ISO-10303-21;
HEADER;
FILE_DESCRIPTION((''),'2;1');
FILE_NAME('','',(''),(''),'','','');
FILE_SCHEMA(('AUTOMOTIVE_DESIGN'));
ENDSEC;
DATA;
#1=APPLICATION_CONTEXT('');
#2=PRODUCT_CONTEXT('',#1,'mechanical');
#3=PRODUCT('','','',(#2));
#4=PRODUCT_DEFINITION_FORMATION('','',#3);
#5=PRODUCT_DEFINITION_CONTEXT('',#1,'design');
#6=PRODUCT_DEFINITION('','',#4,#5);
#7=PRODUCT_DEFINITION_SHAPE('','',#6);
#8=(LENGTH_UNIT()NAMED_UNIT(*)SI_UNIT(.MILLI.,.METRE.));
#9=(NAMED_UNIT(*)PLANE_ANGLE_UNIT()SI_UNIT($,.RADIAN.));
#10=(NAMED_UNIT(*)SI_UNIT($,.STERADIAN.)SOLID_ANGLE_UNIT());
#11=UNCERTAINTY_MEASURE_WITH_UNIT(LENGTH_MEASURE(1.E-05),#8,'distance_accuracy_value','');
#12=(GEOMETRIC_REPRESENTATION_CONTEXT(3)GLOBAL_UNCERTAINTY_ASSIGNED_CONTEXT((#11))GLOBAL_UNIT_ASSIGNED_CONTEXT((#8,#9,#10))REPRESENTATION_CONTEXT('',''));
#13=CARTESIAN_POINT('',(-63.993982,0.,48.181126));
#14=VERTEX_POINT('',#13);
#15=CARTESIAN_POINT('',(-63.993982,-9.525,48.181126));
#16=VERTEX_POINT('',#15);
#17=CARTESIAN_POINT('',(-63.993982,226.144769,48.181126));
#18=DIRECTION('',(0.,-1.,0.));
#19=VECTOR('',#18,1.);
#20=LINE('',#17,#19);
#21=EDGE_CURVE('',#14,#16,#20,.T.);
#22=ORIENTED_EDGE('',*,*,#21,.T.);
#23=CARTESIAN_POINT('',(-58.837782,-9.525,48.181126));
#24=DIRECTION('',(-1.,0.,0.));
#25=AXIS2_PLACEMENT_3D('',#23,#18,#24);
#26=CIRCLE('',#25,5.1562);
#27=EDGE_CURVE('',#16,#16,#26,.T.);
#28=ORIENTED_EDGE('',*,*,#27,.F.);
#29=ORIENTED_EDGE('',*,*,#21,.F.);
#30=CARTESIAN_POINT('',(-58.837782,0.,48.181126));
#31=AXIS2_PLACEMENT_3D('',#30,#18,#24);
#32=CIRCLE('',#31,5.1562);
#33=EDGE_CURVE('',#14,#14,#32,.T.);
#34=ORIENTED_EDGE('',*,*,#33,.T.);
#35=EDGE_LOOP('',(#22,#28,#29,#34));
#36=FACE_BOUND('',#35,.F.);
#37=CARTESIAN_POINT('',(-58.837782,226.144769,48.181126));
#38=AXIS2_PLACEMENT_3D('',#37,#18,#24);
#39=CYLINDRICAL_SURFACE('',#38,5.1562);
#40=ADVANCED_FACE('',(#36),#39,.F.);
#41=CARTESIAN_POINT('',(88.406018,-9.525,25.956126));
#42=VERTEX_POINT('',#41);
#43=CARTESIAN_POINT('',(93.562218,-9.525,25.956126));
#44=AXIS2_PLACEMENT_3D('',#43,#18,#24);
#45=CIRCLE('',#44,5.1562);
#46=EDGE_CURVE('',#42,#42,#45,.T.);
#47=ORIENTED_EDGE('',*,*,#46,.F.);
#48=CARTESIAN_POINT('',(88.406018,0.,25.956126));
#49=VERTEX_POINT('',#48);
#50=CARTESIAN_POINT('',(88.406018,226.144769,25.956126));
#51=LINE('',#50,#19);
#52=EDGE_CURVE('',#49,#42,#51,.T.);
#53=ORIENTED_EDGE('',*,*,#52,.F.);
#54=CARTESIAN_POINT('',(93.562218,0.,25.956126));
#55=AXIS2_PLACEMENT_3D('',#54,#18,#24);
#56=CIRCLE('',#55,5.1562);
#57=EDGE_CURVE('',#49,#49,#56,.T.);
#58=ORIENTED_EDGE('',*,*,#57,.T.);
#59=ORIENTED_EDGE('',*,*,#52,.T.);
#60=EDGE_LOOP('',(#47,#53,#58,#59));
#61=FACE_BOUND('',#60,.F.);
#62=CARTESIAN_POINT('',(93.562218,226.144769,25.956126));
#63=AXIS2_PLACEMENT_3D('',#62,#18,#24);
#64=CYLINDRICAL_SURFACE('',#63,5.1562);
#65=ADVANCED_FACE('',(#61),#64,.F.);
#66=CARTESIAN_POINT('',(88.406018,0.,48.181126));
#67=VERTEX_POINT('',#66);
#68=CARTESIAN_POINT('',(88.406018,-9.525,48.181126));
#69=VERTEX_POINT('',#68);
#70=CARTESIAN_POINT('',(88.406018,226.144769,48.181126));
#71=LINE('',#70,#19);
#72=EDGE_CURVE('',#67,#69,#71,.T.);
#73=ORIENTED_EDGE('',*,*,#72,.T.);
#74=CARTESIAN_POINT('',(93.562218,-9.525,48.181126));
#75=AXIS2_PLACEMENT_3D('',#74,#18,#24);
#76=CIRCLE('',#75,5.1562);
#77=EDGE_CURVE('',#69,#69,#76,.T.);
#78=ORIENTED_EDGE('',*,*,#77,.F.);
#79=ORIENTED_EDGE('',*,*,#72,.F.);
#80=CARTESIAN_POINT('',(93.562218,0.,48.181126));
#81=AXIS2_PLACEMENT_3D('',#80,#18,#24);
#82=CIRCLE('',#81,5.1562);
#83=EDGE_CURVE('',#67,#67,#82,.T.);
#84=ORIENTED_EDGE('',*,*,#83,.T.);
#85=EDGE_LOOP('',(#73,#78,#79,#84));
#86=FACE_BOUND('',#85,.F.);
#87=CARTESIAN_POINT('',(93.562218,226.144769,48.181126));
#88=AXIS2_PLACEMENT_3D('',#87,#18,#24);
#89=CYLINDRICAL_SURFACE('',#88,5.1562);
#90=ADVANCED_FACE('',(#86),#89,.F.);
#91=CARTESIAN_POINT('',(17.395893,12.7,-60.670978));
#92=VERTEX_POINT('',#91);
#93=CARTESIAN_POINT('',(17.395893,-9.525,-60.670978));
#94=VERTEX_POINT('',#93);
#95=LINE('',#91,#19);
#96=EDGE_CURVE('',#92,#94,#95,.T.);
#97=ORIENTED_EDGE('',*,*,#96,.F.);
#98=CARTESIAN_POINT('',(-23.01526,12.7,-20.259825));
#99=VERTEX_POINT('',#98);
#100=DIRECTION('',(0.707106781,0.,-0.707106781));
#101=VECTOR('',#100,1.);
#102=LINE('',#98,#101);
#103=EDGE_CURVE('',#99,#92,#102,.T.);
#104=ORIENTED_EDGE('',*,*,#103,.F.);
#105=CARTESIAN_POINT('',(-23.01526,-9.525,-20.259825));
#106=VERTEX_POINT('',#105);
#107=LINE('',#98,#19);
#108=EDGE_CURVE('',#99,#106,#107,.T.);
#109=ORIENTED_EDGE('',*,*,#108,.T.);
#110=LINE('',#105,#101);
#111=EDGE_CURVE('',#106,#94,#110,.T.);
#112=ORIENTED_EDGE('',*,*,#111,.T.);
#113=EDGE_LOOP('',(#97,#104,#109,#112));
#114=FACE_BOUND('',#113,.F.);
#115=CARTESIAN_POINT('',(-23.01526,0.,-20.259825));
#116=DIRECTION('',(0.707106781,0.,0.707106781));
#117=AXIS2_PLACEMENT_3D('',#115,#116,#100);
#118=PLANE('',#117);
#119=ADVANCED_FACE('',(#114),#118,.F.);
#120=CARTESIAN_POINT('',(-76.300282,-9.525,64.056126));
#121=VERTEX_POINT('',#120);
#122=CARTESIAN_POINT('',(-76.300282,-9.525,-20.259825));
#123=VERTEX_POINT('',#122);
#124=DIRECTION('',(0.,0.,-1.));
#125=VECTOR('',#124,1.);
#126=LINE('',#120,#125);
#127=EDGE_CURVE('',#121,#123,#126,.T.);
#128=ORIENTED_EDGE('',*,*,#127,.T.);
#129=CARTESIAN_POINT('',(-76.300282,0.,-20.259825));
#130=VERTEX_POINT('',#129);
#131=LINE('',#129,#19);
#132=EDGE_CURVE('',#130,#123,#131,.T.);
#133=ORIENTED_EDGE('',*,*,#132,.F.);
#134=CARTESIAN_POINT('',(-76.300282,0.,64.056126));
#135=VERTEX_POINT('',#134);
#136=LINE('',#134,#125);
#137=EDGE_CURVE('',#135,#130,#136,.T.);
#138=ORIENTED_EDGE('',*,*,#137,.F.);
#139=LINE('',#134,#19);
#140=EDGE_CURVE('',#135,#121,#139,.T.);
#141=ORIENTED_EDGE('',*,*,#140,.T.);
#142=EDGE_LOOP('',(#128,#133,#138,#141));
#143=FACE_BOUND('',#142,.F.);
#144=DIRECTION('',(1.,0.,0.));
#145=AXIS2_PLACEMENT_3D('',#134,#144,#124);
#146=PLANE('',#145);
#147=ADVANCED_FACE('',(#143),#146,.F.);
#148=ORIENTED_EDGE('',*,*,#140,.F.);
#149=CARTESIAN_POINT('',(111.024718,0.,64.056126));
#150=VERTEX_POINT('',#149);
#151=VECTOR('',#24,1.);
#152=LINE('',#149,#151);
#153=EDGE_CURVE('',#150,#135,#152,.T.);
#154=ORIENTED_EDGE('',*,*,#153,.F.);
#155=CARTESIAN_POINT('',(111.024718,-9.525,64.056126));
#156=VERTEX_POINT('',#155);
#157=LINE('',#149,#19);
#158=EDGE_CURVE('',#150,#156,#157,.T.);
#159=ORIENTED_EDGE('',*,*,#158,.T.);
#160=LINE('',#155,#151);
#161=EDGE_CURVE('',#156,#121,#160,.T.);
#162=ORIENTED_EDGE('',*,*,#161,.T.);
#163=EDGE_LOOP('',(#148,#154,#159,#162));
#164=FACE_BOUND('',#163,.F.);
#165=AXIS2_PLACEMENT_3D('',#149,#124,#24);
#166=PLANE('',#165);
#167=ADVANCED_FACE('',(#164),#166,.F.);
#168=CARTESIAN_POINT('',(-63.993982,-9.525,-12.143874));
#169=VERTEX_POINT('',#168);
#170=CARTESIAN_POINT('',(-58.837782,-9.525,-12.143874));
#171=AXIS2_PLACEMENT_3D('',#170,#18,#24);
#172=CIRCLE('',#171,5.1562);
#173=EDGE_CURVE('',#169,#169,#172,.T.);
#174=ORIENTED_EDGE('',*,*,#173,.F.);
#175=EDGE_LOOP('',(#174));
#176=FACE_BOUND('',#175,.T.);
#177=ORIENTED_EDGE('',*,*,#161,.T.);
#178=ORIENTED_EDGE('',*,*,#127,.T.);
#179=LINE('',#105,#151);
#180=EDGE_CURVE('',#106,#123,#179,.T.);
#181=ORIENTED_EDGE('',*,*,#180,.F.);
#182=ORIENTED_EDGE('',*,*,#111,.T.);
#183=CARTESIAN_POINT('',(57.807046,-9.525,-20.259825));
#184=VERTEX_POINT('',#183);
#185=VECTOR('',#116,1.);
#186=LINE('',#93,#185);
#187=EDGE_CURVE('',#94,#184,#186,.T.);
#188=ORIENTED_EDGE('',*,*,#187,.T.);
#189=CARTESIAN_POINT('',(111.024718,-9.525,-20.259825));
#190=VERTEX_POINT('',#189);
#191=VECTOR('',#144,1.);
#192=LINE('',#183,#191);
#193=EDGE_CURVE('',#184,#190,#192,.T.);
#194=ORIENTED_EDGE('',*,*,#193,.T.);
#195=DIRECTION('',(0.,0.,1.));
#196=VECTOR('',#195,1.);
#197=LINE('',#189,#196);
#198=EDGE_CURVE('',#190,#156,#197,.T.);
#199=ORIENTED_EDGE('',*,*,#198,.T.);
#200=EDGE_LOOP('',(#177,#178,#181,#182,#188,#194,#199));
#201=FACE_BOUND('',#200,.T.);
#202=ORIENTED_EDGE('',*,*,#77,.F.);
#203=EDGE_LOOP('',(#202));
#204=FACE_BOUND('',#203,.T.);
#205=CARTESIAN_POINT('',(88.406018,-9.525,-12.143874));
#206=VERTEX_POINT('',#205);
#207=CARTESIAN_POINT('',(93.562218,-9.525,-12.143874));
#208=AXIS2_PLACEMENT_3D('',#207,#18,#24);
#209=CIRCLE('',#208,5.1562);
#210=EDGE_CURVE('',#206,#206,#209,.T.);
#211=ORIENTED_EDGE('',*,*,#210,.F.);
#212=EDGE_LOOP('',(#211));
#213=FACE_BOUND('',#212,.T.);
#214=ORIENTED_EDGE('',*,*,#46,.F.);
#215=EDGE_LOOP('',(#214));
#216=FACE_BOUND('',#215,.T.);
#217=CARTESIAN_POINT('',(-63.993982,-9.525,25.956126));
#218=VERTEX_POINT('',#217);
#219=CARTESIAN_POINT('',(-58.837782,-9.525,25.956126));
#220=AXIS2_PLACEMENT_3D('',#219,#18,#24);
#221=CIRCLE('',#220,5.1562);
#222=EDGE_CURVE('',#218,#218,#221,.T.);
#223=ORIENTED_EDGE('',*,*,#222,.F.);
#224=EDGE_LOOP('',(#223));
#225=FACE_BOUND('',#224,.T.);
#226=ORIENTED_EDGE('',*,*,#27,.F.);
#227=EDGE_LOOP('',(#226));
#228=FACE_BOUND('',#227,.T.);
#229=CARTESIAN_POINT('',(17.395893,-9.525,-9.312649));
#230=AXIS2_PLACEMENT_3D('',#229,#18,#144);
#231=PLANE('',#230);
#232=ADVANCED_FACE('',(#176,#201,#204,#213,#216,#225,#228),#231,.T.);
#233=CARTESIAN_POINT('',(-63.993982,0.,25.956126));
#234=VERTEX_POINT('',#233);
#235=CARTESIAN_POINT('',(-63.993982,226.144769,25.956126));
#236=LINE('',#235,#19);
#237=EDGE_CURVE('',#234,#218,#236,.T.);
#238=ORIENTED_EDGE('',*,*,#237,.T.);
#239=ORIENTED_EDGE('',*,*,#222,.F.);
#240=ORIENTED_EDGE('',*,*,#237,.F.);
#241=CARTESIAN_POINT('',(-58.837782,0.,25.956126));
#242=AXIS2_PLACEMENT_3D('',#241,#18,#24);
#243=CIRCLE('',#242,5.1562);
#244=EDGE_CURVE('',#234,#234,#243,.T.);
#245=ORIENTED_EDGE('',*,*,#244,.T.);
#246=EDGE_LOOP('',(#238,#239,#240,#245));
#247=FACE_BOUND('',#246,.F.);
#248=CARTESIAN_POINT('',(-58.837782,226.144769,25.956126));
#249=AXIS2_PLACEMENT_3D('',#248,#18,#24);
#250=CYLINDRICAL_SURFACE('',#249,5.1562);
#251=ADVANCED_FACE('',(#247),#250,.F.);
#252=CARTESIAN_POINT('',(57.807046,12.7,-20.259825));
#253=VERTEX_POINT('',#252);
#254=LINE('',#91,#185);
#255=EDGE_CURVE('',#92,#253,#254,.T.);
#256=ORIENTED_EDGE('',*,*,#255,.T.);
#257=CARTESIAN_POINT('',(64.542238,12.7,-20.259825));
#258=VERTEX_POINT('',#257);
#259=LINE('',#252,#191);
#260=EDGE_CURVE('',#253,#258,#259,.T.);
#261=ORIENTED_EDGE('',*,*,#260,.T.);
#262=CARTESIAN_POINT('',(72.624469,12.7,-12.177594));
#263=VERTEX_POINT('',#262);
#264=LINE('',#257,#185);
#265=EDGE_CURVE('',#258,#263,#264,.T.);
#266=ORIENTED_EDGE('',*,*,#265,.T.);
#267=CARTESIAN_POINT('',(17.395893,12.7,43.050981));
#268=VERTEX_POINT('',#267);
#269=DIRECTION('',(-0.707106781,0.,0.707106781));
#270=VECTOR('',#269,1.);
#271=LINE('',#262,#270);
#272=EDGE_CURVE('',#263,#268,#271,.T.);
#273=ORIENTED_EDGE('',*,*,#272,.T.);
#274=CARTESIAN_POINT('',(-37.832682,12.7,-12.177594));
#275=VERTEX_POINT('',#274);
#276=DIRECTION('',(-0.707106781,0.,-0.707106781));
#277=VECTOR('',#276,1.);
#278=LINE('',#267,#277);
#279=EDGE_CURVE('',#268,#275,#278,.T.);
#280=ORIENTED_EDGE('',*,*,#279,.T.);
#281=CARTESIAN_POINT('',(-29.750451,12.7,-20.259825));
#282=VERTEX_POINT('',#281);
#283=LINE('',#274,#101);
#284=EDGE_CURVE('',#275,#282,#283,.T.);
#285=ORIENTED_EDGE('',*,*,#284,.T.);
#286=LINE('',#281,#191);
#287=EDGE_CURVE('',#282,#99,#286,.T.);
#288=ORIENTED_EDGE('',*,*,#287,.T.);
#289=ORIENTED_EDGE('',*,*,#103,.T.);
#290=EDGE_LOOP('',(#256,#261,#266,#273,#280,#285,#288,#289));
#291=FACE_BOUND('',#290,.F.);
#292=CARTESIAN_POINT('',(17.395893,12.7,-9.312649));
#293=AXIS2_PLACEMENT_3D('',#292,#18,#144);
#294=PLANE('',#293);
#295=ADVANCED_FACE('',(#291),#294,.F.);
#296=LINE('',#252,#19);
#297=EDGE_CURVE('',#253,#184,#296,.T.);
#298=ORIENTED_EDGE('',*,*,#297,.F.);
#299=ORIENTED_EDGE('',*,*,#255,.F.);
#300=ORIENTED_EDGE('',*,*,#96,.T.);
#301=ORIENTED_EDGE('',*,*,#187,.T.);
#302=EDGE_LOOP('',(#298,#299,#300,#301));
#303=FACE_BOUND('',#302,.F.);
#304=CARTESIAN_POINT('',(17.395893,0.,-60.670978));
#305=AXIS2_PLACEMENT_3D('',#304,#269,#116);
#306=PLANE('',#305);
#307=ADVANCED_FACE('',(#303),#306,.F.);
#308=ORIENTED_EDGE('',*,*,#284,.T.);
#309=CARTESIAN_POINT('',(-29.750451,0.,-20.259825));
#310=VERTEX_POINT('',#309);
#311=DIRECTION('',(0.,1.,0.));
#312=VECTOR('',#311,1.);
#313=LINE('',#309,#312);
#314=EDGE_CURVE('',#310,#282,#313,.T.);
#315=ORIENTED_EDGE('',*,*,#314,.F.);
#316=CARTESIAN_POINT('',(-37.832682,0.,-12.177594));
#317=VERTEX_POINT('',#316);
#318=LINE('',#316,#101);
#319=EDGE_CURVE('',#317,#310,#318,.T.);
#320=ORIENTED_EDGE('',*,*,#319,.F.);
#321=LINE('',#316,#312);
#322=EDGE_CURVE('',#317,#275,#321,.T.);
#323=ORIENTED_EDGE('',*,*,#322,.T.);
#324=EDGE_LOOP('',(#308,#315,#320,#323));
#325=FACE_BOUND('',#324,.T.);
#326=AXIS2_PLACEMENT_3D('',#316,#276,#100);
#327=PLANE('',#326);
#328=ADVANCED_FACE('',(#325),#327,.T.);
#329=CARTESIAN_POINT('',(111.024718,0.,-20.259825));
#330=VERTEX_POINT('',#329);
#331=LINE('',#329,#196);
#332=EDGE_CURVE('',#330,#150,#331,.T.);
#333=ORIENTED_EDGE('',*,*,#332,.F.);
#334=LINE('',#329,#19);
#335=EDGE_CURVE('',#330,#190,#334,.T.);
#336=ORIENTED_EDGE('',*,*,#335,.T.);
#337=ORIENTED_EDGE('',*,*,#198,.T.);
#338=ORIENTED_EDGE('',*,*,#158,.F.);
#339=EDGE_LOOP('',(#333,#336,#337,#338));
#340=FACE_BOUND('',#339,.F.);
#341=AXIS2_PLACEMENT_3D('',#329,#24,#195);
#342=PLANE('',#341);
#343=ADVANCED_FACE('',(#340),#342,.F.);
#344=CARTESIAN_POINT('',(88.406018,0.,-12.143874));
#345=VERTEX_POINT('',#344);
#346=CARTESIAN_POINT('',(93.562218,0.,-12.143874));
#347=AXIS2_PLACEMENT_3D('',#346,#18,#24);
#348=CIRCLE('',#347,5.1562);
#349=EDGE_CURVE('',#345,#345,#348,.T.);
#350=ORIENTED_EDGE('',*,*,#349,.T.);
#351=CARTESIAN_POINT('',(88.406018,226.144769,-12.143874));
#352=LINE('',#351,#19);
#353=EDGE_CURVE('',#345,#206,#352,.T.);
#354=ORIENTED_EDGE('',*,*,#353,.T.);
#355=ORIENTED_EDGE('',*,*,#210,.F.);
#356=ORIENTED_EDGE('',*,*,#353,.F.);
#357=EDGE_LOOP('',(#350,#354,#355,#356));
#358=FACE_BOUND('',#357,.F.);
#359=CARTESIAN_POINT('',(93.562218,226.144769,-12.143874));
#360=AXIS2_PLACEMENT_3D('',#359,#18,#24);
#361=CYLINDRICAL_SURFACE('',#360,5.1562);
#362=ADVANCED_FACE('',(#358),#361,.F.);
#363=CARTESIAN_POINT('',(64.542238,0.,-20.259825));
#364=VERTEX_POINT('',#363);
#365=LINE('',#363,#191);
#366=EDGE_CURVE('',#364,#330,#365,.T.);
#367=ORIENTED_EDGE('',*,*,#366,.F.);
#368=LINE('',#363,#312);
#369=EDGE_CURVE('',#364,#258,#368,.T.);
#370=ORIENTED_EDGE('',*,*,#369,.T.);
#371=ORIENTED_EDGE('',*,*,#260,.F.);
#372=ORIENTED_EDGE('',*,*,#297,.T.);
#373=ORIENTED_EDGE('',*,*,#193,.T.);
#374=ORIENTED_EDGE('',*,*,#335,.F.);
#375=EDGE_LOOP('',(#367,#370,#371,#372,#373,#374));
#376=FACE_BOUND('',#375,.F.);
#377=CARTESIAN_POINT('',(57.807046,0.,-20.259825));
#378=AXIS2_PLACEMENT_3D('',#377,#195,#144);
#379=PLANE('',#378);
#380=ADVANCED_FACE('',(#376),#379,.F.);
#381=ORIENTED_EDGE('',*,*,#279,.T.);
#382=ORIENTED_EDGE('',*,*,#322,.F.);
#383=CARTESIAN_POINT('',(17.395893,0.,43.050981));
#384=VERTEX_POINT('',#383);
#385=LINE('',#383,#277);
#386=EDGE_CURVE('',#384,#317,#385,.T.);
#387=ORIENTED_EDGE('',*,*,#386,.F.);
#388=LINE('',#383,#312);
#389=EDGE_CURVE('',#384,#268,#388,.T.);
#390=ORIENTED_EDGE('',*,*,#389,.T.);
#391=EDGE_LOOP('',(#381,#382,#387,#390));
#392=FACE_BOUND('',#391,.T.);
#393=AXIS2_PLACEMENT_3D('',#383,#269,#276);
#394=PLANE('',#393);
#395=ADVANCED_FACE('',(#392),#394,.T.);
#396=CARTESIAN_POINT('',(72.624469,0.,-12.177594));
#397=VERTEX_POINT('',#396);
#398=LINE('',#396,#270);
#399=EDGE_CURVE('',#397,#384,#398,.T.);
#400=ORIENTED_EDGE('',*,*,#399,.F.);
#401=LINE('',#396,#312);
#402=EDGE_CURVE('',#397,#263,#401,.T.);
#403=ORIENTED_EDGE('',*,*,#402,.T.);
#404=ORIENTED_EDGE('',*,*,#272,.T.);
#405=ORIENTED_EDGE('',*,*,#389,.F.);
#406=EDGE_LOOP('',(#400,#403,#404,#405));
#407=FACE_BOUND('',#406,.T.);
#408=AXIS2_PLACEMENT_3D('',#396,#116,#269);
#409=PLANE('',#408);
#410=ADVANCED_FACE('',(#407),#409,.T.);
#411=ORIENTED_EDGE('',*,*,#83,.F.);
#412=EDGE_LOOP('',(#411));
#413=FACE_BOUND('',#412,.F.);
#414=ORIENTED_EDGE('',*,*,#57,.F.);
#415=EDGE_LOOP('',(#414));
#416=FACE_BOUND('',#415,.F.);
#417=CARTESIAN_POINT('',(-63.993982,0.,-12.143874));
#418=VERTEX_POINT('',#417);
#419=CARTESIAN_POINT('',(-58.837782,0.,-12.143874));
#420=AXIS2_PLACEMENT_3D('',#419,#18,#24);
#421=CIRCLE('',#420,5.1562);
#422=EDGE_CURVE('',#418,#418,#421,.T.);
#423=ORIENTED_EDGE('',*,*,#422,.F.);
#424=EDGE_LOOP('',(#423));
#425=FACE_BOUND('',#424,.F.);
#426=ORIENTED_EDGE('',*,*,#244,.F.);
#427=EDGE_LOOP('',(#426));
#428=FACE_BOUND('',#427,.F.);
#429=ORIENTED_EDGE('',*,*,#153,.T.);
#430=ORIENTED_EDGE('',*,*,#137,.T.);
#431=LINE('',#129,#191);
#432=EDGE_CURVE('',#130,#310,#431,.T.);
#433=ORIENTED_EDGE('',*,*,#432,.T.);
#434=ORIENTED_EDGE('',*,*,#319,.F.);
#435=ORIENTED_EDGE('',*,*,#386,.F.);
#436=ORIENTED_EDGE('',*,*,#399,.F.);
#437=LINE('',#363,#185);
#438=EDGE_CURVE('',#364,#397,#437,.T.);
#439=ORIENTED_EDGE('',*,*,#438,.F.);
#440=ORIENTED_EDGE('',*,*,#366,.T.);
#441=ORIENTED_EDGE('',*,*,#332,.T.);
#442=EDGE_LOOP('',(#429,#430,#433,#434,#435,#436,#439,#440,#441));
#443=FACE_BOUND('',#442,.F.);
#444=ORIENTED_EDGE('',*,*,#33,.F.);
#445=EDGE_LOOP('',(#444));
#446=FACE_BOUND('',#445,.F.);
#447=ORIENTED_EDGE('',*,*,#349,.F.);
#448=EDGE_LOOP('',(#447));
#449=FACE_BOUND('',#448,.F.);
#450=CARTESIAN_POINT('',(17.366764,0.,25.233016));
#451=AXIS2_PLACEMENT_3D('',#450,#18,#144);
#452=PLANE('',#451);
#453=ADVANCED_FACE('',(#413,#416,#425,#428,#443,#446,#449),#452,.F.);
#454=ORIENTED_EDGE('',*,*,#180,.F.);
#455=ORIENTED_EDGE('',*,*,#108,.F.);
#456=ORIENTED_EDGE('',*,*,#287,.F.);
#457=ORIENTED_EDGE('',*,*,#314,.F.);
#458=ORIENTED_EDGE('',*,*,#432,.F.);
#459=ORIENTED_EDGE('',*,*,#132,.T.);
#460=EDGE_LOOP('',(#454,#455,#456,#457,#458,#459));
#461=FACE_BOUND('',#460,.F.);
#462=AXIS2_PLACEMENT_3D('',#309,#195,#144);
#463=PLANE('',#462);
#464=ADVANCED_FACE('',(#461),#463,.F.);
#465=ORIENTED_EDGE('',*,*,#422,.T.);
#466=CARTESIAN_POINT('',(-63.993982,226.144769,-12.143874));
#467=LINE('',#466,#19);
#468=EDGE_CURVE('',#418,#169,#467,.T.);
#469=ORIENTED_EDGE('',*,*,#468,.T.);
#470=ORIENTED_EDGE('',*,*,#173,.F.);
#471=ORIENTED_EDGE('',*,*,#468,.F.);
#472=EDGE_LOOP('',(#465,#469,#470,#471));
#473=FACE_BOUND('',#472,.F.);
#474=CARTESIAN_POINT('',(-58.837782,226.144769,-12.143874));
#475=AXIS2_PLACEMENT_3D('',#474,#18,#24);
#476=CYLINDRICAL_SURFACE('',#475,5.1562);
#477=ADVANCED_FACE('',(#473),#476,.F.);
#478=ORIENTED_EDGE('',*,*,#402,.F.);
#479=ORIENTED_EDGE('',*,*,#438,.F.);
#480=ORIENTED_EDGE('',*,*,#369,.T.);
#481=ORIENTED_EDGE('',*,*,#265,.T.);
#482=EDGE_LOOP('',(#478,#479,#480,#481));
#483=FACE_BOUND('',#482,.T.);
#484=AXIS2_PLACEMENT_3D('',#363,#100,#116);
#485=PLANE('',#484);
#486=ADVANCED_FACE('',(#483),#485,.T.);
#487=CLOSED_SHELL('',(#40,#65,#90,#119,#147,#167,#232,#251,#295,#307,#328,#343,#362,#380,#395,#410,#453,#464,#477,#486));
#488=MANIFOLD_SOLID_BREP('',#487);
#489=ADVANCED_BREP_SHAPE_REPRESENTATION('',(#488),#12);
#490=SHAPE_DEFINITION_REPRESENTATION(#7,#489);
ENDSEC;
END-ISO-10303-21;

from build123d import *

# Parameters (mm, degrees)
F1_DEPTH = 12.7
F2_DEPTH = 9.525
F3_DEPTH = 9.525
F4_D     = 10.3124


with BuildPart() as f1:
    # F0 (on Front) → F1 (new body)
    with BuildSketch(Plane.XZ):
        Polygon((-37.8326816705, -12.1775942421), (-29.7504506663, -20.2598252463), (-23.0152595659, -20.2598252463), (17.3958929789, -60.6709777911), (57.8070455237, -20.2598252463), (64.5422376145, -20.2598252463), (72.6244686187, -12.1775942421), (17.3958934741, 43.0509809025), align=None)
    extrude(amount=-F1_DEPTH)

    # F0 (on Front) → F2 (join)
    with BuildSketch(Plane.XZ):
        Polygon((111.0247183502, 64.0561261252), (-76.3002816498, 64.0561261252), (-76.3002816498, -20.2598252463), (-29.7504506663, -20.2598252463), (-37.8326816705, -12.1775942421), (17.3958934741, 43.0509809025), (72.6244686187, -12.1775942421), (64.5422376145, -20.2598252463), (111.0247183502, -20.2598252463), align=None)
    extrude(amount=F2_DEPTH)

    # F0 (on Front) → F3 (join)
    with BuildSketch(Plane.XZ):
        Polygon((-37.8326816705, -12.1775942421), (-29.7504506663, -20.2598252463), (-23.0152595659, -20.2598252463), (17.3958929789, -60.6709777911), (57.8070455237, -20.2598252463), (64.5422376145, -20.2598252463), (72.6244686187, -12.1775942421), (17.3958934741, 43.0509809025), align=None)
    extrude(amount=F3_DEPTH)

    # F4 (through all)
    with Locations(Plane(origin=(0, 0, 0), x_dir=(1, 0, 0), z_dir=(0, 1, 0))):
        with Locations((-58.8377816498, -48.1811261252), (-58.8377816498, -25.9561261252), (-58.8377816498, 12.1438738748), (93.5622183502, -48.1811261252), (93.5622183502, -25.9561261252), (93.5622183502, 12.1438738748)):
            Hole(F4_D / 2)


solid = f1.part
